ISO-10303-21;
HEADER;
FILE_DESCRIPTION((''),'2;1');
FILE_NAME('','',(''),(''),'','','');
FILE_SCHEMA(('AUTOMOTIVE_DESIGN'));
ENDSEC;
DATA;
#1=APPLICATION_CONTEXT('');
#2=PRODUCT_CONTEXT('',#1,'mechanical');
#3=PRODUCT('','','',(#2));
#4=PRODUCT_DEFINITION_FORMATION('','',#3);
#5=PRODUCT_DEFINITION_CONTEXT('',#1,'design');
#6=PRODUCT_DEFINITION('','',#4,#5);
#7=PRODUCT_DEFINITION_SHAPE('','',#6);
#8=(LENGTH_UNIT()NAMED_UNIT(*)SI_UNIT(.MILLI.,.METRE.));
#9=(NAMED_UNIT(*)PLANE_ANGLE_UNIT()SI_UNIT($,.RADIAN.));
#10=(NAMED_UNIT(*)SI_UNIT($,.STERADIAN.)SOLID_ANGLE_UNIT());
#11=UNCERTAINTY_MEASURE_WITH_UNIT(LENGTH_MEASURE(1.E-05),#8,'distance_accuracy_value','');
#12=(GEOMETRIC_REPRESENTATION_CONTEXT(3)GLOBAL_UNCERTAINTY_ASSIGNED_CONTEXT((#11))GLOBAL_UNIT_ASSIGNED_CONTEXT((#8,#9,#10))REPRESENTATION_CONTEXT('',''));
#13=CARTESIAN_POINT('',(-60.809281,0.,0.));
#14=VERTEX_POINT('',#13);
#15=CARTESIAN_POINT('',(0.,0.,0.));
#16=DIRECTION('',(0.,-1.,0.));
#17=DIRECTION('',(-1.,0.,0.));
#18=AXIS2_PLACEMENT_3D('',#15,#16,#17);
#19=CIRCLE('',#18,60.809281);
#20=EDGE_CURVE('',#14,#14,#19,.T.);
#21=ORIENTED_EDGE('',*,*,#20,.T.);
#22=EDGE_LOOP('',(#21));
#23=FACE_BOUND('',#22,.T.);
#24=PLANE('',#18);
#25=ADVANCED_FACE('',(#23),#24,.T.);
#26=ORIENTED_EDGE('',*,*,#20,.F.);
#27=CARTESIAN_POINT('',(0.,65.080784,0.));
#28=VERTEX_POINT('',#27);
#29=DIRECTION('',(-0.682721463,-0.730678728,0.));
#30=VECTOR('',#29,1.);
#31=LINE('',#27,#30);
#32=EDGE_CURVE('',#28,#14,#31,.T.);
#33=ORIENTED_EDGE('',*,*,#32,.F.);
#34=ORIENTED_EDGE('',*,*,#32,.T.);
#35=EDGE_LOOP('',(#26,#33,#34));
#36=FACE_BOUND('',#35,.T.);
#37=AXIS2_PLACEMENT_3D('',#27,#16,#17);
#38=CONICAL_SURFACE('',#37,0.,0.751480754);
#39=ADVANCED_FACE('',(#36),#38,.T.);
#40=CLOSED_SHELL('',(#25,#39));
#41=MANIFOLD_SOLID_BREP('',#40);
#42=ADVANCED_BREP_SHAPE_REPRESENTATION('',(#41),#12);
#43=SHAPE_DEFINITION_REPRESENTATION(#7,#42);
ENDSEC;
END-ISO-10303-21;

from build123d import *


with BuildPart() as f1:
    # F0 (on Top) → F1 (revolve)
    with BuildSketch(Plane.XY):
        Polygon((-60.809281, 0), (0, 0), (0, 65.080784), align=None)
    revolve(axis=Axis((0, 32.540392, 0), (0, -1, 0)))


solid = f1.part
